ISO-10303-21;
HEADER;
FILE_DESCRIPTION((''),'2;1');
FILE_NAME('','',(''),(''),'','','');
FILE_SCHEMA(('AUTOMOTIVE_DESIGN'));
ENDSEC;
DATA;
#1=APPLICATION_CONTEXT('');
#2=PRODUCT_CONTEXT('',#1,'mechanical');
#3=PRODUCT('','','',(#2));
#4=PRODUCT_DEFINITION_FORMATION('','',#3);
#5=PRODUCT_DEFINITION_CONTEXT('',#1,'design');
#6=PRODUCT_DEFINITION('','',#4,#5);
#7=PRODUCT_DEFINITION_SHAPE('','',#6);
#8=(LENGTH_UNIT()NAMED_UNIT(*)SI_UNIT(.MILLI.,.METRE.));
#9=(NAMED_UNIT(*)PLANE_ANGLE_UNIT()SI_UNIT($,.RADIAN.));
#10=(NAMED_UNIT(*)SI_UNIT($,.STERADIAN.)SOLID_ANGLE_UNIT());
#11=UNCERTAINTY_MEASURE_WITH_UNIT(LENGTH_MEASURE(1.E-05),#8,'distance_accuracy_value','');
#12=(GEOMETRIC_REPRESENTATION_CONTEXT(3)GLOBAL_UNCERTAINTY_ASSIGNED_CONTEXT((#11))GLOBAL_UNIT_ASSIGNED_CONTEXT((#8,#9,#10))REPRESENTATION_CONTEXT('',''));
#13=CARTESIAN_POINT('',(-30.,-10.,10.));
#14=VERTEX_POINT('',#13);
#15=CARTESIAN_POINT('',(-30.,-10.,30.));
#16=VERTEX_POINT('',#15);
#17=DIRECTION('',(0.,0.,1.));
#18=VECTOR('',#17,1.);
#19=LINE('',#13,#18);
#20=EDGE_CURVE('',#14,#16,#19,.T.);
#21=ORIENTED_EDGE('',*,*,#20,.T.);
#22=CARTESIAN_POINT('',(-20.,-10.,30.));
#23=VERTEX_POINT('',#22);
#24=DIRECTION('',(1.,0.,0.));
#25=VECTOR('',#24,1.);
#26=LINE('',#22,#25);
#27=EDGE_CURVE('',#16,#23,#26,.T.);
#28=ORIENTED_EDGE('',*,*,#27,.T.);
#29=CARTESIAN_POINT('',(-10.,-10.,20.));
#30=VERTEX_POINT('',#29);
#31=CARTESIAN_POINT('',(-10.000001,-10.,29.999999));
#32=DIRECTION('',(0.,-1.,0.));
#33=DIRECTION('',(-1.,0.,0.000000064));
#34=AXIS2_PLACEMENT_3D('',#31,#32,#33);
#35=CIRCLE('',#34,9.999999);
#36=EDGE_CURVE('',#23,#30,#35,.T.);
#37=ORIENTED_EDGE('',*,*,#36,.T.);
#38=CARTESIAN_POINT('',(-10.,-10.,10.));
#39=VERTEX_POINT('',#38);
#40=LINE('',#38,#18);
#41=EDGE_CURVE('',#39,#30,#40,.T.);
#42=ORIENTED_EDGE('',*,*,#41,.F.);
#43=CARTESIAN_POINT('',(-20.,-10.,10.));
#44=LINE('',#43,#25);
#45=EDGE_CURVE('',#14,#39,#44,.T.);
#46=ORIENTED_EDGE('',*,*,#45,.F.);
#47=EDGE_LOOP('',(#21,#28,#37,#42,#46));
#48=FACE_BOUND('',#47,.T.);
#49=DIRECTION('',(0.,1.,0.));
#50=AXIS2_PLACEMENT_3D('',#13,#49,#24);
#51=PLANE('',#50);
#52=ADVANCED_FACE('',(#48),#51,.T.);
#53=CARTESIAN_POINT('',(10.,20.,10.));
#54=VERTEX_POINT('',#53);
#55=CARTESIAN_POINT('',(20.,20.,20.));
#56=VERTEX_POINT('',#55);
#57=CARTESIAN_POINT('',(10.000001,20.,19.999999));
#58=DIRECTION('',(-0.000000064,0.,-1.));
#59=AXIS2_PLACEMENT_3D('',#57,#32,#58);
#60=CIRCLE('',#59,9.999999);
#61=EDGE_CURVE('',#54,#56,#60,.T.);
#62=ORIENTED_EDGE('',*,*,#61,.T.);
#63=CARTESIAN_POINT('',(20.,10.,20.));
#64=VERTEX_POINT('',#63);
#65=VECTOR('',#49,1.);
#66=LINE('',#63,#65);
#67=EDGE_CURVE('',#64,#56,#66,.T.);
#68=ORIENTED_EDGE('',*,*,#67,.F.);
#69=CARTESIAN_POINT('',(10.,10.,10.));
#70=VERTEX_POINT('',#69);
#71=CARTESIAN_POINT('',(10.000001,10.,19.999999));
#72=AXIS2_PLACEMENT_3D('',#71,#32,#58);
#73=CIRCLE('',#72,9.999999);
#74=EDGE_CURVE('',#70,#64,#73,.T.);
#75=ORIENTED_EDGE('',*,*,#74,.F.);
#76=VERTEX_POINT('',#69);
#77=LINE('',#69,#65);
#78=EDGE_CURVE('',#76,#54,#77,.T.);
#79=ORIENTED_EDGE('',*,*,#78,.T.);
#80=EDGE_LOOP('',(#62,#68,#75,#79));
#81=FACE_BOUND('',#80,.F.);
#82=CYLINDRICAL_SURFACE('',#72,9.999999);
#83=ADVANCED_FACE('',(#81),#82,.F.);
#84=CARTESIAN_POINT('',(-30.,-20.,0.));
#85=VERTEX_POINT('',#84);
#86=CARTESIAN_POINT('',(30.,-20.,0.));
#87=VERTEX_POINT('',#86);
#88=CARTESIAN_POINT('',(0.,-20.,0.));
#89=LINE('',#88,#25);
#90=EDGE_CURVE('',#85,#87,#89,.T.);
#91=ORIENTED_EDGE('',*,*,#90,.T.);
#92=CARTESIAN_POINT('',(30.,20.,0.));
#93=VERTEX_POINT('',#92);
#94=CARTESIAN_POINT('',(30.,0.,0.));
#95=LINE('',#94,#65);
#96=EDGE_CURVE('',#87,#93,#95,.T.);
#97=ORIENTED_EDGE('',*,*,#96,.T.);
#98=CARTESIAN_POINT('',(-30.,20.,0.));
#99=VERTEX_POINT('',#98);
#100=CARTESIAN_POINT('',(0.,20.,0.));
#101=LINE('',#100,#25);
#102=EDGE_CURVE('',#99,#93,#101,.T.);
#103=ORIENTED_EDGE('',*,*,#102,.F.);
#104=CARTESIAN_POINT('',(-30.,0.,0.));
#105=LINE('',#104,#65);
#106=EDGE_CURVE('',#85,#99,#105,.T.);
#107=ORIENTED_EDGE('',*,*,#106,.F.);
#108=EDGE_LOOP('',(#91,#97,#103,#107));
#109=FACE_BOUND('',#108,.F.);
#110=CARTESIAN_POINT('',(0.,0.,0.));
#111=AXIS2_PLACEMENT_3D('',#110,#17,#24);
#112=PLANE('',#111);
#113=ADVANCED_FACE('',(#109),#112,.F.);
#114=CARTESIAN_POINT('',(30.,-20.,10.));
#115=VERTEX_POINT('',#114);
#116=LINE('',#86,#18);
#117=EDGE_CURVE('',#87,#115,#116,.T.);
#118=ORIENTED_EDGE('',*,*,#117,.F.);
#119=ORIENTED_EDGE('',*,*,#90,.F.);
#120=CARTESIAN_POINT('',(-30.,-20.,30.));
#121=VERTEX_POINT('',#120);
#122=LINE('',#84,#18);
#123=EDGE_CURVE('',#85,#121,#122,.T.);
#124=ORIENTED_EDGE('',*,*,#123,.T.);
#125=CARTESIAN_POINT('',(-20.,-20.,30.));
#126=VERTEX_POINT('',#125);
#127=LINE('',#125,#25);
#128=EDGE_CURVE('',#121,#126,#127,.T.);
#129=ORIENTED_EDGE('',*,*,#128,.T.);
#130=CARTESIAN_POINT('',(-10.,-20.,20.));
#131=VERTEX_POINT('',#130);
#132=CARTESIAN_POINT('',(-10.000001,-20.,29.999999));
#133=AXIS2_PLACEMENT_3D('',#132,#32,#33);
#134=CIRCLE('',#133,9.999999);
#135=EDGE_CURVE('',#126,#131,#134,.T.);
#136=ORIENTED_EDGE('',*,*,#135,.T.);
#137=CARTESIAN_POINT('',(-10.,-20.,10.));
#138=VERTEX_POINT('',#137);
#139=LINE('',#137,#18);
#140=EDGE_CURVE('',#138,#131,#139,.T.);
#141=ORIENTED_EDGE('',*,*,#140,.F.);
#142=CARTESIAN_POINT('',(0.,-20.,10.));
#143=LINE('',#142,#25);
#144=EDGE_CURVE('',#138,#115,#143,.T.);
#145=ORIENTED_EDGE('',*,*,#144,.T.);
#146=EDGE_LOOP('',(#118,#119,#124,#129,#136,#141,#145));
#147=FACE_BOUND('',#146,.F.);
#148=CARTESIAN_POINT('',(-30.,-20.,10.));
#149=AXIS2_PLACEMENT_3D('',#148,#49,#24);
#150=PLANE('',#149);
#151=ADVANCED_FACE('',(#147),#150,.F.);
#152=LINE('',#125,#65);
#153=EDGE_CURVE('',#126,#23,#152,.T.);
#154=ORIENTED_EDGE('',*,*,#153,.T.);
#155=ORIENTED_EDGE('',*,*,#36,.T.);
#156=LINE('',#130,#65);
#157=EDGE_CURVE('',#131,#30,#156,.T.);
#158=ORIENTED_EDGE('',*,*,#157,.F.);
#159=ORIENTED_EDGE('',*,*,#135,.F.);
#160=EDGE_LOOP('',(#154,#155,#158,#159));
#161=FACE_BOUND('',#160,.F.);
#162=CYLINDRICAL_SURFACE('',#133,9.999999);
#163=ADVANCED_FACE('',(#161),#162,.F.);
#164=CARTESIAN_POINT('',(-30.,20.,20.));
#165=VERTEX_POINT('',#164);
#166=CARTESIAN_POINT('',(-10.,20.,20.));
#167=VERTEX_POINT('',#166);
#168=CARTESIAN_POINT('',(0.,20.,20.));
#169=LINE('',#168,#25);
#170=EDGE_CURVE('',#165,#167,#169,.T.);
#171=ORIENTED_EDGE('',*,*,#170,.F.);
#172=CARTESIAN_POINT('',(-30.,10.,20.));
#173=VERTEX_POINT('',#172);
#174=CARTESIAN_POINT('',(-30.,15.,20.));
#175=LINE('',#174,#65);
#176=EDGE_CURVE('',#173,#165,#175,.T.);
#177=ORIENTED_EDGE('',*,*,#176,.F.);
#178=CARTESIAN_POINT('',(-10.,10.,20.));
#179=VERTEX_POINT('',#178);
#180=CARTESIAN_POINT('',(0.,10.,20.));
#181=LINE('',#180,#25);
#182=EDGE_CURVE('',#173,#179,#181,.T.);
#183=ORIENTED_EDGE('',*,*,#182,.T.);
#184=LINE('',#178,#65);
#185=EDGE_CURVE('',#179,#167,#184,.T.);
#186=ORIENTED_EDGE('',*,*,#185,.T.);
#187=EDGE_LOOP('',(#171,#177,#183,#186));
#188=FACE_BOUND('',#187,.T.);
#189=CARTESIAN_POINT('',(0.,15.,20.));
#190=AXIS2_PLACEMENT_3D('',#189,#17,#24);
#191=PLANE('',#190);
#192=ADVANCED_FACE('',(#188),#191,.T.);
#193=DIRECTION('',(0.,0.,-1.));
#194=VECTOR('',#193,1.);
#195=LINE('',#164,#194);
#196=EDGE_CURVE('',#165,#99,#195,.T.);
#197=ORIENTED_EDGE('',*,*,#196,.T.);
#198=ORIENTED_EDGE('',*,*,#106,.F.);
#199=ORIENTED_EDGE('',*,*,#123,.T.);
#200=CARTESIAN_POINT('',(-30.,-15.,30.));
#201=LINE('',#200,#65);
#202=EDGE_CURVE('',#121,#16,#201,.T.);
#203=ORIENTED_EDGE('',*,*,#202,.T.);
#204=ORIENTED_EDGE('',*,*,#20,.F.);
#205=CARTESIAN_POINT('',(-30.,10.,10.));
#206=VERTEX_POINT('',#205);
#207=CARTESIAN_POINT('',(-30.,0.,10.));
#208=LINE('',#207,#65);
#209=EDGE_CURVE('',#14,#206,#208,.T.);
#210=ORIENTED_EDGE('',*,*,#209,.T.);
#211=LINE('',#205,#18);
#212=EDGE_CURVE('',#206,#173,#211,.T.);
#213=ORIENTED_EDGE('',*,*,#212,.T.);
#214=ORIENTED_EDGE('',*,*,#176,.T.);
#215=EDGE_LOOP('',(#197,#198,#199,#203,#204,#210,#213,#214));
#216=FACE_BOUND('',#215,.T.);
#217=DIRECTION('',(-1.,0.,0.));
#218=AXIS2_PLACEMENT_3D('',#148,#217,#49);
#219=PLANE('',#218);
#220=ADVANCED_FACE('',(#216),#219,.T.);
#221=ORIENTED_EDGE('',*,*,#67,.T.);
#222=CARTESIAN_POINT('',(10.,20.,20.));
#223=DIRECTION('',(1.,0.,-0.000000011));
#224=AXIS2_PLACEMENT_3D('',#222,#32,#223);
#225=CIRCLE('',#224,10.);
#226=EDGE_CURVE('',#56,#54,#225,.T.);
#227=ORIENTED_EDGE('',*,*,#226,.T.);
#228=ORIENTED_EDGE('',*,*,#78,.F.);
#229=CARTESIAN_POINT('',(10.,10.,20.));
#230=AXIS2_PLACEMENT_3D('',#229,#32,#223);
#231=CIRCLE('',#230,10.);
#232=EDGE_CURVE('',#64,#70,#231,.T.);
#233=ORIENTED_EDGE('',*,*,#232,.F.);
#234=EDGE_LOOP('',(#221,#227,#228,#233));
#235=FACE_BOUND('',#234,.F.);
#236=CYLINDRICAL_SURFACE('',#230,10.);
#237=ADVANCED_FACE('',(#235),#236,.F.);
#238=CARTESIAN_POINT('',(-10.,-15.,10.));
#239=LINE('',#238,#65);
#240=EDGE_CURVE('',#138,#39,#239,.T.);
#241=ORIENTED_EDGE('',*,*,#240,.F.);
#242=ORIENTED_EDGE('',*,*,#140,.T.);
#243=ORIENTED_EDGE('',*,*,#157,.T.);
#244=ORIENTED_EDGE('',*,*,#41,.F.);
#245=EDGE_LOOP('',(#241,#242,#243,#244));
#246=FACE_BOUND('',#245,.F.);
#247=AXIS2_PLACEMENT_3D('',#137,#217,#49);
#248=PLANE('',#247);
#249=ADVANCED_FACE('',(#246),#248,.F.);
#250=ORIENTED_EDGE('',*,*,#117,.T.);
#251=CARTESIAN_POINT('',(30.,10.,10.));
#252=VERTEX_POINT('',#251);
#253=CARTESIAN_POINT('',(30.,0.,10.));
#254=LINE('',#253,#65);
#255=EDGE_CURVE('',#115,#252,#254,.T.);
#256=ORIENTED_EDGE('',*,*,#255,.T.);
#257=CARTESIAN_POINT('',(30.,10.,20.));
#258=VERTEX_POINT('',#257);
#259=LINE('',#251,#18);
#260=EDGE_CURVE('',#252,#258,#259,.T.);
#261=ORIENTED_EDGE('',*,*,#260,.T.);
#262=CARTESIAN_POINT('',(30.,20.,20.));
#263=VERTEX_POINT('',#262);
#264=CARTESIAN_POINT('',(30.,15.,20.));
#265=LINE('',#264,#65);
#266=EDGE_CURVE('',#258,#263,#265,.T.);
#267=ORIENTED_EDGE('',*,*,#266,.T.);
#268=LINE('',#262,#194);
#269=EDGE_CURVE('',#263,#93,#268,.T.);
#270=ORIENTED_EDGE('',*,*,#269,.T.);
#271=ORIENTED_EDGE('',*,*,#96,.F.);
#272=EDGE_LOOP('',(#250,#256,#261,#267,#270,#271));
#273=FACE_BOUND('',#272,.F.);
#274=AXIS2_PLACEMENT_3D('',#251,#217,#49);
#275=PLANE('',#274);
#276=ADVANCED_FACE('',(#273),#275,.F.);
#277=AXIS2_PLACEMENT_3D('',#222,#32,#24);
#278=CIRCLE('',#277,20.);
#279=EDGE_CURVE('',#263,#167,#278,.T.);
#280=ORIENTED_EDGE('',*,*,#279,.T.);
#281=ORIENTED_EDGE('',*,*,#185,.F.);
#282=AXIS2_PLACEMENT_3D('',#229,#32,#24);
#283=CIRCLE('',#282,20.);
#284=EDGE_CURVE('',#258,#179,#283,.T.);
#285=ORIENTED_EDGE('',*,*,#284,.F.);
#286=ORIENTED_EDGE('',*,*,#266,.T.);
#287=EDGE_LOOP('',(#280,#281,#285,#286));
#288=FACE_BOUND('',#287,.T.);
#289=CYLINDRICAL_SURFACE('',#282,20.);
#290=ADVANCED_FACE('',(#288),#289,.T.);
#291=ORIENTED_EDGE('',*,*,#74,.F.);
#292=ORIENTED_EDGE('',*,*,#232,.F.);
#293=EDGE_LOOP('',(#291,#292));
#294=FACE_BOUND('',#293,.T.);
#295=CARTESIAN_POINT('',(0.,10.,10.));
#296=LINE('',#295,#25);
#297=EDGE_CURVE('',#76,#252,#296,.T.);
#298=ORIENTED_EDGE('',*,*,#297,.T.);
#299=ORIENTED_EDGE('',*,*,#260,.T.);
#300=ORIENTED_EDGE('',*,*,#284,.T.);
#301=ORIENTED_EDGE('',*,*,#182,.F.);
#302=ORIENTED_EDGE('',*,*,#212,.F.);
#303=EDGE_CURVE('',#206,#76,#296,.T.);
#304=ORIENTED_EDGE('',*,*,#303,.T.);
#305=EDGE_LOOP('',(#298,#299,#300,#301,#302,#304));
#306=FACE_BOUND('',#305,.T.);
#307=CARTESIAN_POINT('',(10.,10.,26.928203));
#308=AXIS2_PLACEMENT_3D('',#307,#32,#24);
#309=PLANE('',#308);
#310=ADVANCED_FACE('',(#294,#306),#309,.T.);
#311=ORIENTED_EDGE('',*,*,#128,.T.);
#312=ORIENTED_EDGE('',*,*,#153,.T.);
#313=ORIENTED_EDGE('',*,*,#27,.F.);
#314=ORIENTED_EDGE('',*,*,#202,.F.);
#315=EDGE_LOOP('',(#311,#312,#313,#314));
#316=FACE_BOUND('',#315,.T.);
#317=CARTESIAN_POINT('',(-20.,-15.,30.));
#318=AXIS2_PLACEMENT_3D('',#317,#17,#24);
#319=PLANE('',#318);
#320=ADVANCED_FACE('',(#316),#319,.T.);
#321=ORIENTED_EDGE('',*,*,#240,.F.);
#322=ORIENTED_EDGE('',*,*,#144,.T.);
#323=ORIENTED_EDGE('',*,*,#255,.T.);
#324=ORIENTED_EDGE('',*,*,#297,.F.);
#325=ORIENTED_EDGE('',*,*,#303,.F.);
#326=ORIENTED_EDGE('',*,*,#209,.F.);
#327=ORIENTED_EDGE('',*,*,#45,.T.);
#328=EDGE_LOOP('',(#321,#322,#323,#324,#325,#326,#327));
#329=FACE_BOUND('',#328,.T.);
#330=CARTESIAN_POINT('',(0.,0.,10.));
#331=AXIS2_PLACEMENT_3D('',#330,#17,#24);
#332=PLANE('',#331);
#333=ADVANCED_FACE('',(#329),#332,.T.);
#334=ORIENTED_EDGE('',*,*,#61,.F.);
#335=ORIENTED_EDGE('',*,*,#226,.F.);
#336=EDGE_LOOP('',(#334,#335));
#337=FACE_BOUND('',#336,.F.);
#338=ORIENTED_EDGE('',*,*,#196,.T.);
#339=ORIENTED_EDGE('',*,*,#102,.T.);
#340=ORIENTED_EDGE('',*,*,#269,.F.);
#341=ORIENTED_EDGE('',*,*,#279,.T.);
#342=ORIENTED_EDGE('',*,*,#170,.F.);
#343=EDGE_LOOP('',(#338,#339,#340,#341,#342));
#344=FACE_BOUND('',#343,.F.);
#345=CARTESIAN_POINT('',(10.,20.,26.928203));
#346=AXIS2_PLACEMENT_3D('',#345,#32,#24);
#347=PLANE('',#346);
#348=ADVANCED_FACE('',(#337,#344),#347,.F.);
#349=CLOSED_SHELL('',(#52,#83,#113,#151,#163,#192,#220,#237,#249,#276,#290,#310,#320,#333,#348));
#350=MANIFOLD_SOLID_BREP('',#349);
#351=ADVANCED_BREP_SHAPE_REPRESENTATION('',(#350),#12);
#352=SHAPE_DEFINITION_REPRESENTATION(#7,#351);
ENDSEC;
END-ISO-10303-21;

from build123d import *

# Parameters (mm, degrees)
F0_W      = 60
F0_H      = 40
F1_DEPTH  = 10
F2_W      = 60
F2_H      = 10
F3_DEPTH  = 10
F5_DEPTH  = 10
F7_DEPTH  = 10
F8_W      = 20
F8_H      = 10
F9_DEPTH  = 20
F11_DEPTH = 10


with BuildPart() as f1:
    # F0 (on Top) → F1 (new body)
    with BuildSketch(Plane.XY):
        Rectangle(F0_W, F0_H)
    extrude(amount=F1_DEPTH)

    # F2 (on face) → F3 (join)
    with BuildSketch(Plane.XY.offset(10)):
        with Locations((0, 15)):
            Rectangle(F2_W, F2_H)
    extrude(amount=F3_DEPTH)

    # F4 (on face) → F5 (join)
    with BuildSketch(Plane.XZ.offset(-10)):
        with BuildLine():
            Line((-10, 20), (30, 20))
            ThreePointArc((30, 20), (10, 40), (-10, 20))
        make_face()
    extrude(amount=-F5_DEPTH)

    # F6 (on face) → F7 (cut)
    with BuildSketch(Plane.XZ.offset(-10)):
        with BuildLine():
            ThreePointArc((10, 10), (17.071068, 12.928932), (20, 20))
            ThreePointArc((20, 20), (2.928932, 27.071068), (10, 10))
        make_face()
    extrude(amount=-F7_DEPTH, mode=Mode.SUBTRACT)

    # F8 (on face) → F9 (join)
    with BuildSketch(Plane.XY.offset(10)):
        with Locations((-20, -15)):
            Rectangle(F8_W, F8_H)
    extrude(amount=F9_DEPTH)

    # F10 (on face) → F11 (cut)
    with BuildSketch(Plane.XZ.offset(20)):
        with BuildLine():
            Line((-10, 30), (-20, 30))
            ThreePointArc((-20, 30), (-17.071068, 22.928932), (-10, 20))
            Line((-10, 20), (-10, 30))
        make_face()
    extrude(amount=-F11_DEPTH, mode=Mode.SUBTRACT)


solid = f1.part
